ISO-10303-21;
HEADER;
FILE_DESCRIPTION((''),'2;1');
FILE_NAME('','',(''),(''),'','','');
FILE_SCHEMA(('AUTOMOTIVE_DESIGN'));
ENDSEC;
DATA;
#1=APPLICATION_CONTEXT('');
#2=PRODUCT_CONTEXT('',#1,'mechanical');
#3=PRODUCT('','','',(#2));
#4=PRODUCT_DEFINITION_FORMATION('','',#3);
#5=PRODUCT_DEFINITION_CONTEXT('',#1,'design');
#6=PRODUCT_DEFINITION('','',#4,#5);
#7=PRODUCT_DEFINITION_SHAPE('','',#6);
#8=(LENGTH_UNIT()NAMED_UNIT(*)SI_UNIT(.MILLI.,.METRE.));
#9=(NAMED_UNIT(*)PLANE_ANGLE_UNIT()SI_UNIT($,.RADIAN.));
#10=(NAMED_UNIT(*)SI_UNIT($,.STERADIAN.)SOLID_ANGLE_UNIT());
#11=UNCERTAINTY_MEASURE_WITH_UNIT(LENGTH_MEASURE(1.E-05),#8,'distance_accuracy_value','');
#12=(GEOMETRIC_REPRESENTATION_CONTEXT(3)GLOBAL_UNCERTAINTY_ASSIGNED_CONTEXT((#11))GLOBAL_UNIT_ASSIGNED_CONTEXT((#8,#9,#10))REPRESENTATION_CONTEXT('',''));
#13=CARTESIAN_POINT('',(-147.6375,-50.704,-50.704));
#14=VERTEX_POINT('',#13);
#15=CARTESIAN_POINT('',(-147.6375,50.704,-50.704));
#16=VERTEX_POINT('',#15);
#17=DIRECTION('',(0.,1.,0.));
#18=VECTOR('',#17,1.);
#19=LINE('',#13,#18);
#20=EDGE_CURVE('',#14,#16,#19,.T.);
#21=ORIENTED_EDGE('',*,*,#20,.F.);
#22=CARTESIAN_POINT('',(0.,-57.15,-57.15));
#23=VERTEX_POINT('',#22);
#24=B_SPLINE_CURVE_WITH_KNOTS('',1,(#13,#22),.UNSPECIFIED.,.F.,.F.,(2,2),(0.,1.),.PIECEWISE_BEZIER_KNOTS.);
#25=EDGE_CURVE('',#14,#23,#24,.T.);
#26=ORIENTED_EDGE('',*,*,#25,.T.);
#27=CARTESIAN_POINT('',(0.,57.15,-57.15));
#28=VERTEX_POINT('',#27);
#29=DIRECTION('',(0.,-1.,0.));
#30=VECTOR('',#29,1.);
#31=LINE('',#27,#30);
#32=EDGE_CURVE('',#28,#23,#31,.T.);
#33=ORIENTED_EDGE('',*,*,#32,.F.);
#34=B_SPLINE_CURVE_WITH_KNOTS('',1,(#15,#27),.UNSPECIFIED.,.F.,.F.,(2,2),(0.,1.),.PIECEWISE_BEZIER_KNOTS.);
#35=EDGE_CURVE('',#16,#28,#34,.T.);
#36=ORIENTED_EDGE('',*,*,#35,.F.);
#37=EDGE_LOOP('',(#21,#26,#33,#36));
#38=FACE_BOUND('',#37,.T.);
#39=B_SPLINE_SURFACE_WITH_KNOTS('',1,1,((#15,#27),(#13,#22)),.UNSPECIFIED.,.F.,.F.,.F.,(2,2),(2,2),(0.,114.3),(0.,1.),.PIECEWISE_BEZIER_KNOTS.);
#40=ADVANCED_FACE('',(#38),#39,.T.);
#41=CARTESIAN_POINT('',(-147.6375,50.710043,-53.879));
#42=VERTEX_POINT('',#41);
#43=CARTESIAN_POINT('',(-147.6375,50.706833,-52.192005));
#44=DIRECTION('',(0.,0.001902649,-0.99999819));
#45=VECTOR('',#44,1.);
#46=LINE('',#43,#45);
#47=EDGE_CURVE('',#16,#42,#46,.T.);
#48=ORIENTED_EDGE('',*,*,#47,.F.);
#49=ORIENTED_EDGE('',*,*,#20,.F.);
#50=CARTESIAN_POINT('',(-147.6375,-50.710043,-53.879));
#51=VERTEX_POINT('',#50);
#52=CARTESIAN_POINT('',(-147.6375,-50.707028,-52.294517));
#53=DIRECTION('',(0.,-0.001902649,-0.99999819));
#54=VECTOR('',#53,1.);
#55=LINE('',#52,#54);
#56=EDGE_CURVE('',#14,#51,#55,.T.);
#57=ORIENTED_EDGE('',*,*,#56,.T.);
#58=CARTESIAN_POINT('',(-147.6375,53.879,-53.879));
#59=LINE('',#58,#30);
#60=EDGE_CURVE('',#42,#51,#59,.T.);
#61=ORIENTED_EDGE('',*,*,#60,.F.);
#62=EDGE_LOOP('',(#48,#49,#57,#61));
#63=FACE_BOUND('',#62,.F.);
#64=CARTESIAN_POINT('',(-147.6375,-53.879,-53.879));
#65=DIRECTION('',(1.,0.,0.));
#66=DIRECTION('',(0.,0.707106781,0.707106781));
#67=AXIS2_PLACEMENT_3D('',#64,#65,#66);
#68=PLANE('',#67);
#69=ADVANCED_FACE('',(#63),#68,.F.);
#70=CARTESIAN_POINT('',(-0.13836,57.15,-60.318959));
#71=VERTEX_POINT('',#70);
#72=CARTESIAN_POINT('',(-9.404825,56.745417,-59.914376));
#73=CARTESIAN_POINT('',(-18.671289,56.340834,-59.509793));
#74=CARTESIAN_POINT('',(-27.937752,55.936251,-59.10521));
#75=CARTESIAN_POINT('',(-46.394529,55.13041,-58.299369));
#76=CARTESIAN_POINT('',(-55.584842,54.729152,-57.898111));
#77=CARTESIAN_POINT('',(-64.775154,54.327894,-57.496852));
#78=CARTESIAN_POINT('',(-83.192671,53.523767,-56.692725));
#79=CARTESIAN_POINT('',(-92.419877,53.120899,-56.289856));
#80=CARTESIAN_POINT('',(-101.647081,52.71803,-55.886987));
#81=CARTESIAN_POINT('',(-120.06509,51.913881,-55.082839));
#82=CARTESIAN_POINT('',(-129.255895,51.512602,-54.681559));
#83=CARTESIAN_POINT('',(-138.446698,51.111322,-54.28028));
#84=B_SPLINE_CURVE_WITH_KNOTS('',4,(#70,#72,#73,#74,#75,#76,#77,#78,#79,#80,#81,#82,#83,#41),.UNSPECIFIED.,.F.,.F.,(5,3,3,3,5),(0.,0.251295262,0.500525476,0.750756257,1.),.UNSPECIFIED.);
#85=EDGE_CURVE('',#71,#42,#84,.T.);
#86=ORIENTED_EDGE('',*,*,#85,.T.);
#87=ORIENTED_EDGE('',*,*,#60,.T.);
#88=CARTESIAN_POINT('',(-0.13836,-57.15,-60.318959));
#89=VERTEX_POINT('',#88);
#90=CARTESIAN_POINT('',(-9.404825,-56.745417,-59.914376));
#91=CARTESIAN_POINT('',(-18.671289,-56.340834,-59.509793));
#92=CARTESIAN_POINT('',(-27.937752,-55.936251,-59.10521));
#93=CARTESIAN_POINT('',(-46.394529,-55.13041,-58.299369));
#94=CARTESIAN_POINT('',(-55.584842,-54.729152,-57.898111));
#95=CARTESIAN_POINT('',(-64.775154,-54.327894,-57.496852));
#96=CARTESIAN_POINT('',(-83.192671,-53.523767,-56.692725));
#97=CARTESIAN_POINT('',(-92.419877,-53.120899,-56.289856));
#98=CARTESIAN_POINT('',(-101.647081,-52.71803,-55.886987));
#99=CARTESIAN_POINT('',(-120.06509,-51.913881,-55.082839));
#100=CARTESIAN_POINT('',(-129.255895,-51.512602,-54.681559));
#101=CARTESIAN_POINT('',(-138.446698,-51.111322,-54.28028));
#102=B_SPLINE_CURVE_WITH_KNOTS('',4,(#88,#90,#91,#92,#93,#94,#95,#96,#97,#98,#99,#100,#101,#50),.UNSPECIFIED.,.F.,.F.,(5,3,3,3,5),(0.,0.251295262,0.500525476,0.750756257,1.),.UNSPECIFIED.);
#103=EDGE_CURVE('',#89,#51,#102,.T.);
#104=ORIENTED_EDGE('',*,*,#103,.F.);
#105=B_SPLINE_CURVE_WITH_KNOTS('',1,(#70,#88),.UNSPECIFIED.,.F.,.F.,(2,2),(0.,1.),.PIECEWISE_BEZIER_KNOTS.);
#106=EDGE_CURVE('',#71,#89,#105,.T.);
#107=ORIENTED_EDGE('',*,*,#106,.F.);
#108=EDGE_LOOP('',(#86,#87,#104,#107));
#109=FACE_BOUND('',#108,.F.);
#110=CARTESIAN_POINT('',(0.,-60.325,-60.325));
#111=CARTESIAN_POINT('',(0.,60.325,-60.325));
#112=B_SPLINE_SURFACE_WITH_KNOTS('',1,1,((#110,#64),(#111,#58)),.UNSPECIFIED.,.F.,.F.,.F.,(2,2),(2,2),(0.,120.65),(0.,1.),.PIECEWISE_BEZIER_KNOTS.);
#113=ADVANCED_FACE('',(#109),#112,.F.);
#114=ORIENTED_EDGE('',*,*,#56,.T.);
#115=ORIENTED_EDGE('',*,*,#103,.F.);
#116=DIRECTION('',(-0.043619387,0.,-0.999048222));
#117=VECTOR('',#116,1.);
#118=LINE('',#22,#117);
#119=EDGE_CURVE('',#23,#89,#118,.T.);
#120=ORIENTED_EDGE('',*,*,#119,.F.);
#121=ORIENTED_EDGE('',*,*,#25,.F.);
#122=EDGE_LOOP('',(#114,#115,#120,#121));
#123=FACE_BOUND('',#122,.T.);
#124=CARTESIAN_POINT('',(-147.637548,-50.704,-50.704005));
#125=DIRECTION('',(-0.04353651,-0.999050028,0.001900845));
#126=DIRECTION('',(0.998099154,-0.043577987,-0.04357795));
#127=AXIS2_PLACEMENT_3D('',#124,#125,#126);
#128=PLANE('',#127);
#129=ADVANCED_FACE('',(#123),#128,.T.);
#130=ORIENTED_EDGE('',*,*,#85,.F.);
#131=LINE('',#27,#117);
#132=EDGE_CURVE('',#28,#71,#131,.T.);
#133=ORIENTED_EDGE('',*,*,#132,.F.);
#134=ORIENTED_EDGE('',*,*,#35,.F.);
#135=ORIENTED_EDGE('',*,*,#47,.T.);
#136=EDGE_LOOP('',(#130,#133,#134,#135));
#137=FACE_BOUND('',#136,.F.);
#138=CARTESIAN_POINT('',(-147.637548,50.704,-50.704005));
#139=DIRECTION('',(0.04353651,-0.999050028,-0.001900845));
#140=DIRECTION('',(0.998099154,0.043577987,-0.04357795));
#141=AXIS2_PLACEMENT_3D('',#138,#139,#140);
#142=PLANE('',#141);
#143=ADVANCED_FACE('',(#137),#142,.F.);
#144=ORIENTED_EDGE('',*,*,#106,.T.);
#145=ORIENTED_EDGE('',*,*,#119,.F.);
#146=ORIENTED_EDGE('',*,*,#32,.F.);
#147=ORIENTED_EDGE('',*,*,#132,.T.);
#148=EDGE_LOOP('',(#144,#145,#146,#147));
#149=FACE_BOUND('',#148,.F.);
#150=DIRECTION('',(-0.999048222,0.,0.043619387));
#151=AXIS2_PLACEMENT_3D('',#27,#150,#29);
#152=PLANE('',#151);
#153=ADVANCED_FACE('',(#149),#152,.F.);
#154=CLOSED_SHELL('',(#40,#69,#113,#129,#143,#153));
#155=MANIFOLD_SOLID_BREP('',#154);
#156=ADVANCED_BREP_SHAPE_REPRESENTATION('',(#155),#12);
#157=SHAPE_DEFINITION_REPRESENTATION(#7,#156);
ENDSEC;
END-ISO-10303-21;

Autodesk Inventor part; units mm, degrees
ref_plane "XZ Plane" through (0, 0, 0) normal (0, 1, 0) x (-1, 0, 0)
ref_plane "XY Plane" through (0, 0, 0) normal (0, 0, 1) x (1, 0, 0)
sketch "Sketch5" plane through (0, 0, 0) normal (1, 0, 0) x (0, 1, 0)
  line L0 (-60.325, -60.325) -> (60.325, -60.325)
  line L1 (60.325, -60.325) -> (60.325, 60.325)
  line L2 (60.325, 60.325) -> (-60.325, 60.325)
  line L3 (-60.325, 60.325) -> (-60.325, -60.325)
  line L4 (-60.325, -60.325) -> (60.325, 60.325) construction
  line L5 (60.325, -60.325) -> (-60.325, 60.325) construction
  line L6 (-57.15, -57.15) -> (57.15, -57.15)
  line L7 (57.15, -57.15) -> (57.15, 57.15)
  line L8 (57.15, 57.15) -> (-57.15, 57.15)
  line L9 (-57.15, 57.15) -> (-57.15, -57.15)
  line L10 (-57.15, -57.15) -> (57.15, 57.15) construction
  line L11 (57.15, -57.15) -> (-57.15, 57.15) construction
  point P0 (0, 0)
  dimension "d15" = 120.65
  dimension "d16" = 120.65
  dimension "d17" = 114.3
  dimension "d18" = 114.3
ref_plane "Work Plane1" through (-147.6375, 0, 0) normal (1, 0, 0) x (0, 1, 0)
sketch "Sketch16" plane through (0, 0, 0) normal (0, 1, 0) x (-1, 0, 0)
  line L0 (0, 57.15) -> (147.6375, 50.704)
  line L1 (147.6375, 50.704) -> (147.6375, 57.15)
  line L2 (147.6375, 57.15) -> (0, 57.15)
  point P0 (0, 0)
  point P1 (0, 57.15)
  dimension "d41" = 2.5
  dimension "d42" = 147.6375
sketch "Sketch17" plane through (-147.6375, 0, 0) normal (1, 0, 0) x (0, 1, 0)
  line L0 (-50.704, -50.704) -> (50.704, -50.704)
  line L1 (50.704, -50.704) -> (50.704, 50.704)
  line L2 (50.704, 50.704) -> (-50.704, 50.704)
  line L3 (-50.704, 50.704) -> (-50.704, -50.704)
  line L4 (-50.704, -50.704) -> (50.704, 50.704) construction
  line L5 (50.704, -50.704) -> (-50.704, 50.704) construction
  line L6 (-53.879, 53.879) -> (53.879, 53.879)
  line L7 (53.879, 53.879) -> (53.879, -53.879)
  line L8 (53.879, -53.879) -> (-53.879, -53.879)
  line L9 (-53.879, -53.879) -> (-53.879, 53.879)
  point P0 (0, 0)
  point P1 (0, 50.704)
  dimension "d44" = 3.175
loft "Loft3" add profiles "Sketch5", "Sketch17" contours L3 L2 L1 L0 | L9 L8 L7 L6 / L3 L2 L1 L0 | L6 L7 L8 L9
sketch "Sketch18" plane through (0, -60.325, -60.325) normal (1, 0, 0) x (0, 0, -1)
  line L0 (0, 0) -> (0, 120.65) projected
  line L1 (0, 120.65) -> (-120.65, 120.65) projected
  line L2 (-120.65, 120.65) -> (-120.65, 0) projected
  line L3 (-120.65, 0) -> (0, 0) projected
  line L4 (-117.475, 3.175) -> (-117.475, 117.475)
  line L5 (-117.475, 117.475) -> (-3.175, 117.475)
  line L6 (-3.175, 117.475) -> (-3.175, 3.175)
  line L7 (-3.175, 3.175) -> (-117.475, 3.175)
  point P0 (-60.325, 60.325)
  dimension "d49" = 3.175
sketch "Sketch19" plane through (-147.6375, -53.879, -53.879) normal (-1, 0, 0) x (0, 0, 1)
  line L0 (0, 0) -> (0, 107.758) projected
  line L1 (107.758, 0) -> (0, 0) projected
  line L2 (107.758, 107.758) -> (107.758, 0) projected
  line L3 (0, 107.758) -> (107.758, 107.758) projected
  line L4 (104.583, 3.175) -> (3.175, 3.175)
  line L5 (3.175, 3.175) -> (3.175, 104.583)
  line L6 (3.175, 104.583) -> (104.583, 104.583)
  line L7 (104.583, 104.583) -> (104.583, 3.175)
  point P0 (53.879, 53.879)
  dimension "d50" = 3.175
loft "Loft4" cut profiles "Sketch19", "Sketch18" contours L4 L5 L6 L7 / L4 L5 L6 L7
sketch "Sketch20" plane through (0, -57.15, -57.15) normal (0.0436, 0, 0.999) x (0.999, 0, -0.0436)
  line L0 (-147.7782, 6.446) -> (-147.7782, 107.854) projected
  line L1 (-147.7782, 6.446) -> (0, 0) projected
  line L2 (0, 114.3) -> (0, 0) projected
  line L3 (-147.7782, 107.854) -> (0, 114.3) projected
  point P0 (-2.4928, 57.15)
extrude "Extrusion6" cut sketch "Sketch20" against normal through all keep common part
equation "\"d15\" = width - internalAcrylicThickness"
equation "\"d16\" = height - internalAcrylicThicnkess"
equation "\"d17\" = -2 * mirrorThickness + width - internalAcrylicThickness"
equation "\"d18\" = -internalAcrylicThicnkess + height - 2 * mirrorThickness"
equation "\"d41\" = mirrorAngle"
equation "\"d44\" = mirrorThickness"
equation "\"d49\" = mirrorThickness"
equation "\"d50\" = mirrorThickness"
equation "\"width\" = 127"
equation "\"depth\" = 203.2"
equation "\"mirrorAngle\" = 2.5deg"
equation "\"mirrorThickness\" = 3.175"
equation "\"fresnelThickness\" = 0.254"
equation "\"centerThickness\" = 1.27"
equation "\"acrylicThickness\" = 6.35"
equation "\"height\" = 127"
equation "\"detectorWidth\" = 52"
equation "\"detectorHeight\" = 52"
equation "\"focalLength\" = 152.4"
equation "\"ior\" = 1.49"
equation "\"fresnelAngle\" = 90deg"
equation "\"fresnelEffectiveDiameter\" = 152.4"
equation "\"mirrorSuppourtWidth\" = 38.1"
equation "\"backGrooveBit\" = 4.8006"
equation "\"sensorHolderWidth\" = 88.9"
equation "\"sensorHolderHeight\" = 88.9"
equation "\"sensorHolderSensorHeight\" = 53.975"
equation "\"sensorHolderSensorWidth\" = 53.975"
equation "\"oRingWidth\" = 1.5875"
equation "\"sensorHolderORingID\" = 203.2"
equation "\"sensorHolderFlushORingID\" = 304.8"
equation "\"frontBackORingID\" = 419.1"
equation "\"mirrorGroove\" = 19.05"
equation "\"backMirrorGroove\" = 6.35"
equation "\"fresnelMirrorChamfer\" = 6.35"
equation "\"mirrorGrooveMill\" = 3.175"
equation "\"detectorOpeningWidth\" = 76.2"
equation "\"detectorOpeningHeight\" = 76.2"
equation "\"sensorHolderDepth\" = 19.05"
equation "\"frameAcrylicThickness\" = 9.525"
equation "\"internalAcrylicThicnkess\" = 6.35"
equation "\"internalAcrylicThickness\" = 6.35"
equation "\"aerogelClearence\" = 3.175"
equation "\"backplanePCBHeight\" = 76.2"
equation "\"backplaneHoleOffsett\" = 6.35"
equation "\"backplanePCBWidth\" = 76.2"
equation "\"backplanePostionOffsett\" = 12.7"
equation "\"moduleSlotClearence\" = 0.79375"
equation "\"plasticThickness\" = 6.35"
equation "\"aerogelHolderDepth\" = 49.022"
equation "\"caseThickness\" = 6.35"
equation "\"alignmantGrooveDepth\" = 1.5875"
equation "\"alignmentGrooveDepth\" = 1.5875"
equation "\"alignmentGrooveClearance\" = 0.1016"
equation "\"frontPanelThickness\" = 1.5875"
equation "\"fresnelGrooveWidth\" = 1.778"
properties part number "mirrorSides" material "Glass"
